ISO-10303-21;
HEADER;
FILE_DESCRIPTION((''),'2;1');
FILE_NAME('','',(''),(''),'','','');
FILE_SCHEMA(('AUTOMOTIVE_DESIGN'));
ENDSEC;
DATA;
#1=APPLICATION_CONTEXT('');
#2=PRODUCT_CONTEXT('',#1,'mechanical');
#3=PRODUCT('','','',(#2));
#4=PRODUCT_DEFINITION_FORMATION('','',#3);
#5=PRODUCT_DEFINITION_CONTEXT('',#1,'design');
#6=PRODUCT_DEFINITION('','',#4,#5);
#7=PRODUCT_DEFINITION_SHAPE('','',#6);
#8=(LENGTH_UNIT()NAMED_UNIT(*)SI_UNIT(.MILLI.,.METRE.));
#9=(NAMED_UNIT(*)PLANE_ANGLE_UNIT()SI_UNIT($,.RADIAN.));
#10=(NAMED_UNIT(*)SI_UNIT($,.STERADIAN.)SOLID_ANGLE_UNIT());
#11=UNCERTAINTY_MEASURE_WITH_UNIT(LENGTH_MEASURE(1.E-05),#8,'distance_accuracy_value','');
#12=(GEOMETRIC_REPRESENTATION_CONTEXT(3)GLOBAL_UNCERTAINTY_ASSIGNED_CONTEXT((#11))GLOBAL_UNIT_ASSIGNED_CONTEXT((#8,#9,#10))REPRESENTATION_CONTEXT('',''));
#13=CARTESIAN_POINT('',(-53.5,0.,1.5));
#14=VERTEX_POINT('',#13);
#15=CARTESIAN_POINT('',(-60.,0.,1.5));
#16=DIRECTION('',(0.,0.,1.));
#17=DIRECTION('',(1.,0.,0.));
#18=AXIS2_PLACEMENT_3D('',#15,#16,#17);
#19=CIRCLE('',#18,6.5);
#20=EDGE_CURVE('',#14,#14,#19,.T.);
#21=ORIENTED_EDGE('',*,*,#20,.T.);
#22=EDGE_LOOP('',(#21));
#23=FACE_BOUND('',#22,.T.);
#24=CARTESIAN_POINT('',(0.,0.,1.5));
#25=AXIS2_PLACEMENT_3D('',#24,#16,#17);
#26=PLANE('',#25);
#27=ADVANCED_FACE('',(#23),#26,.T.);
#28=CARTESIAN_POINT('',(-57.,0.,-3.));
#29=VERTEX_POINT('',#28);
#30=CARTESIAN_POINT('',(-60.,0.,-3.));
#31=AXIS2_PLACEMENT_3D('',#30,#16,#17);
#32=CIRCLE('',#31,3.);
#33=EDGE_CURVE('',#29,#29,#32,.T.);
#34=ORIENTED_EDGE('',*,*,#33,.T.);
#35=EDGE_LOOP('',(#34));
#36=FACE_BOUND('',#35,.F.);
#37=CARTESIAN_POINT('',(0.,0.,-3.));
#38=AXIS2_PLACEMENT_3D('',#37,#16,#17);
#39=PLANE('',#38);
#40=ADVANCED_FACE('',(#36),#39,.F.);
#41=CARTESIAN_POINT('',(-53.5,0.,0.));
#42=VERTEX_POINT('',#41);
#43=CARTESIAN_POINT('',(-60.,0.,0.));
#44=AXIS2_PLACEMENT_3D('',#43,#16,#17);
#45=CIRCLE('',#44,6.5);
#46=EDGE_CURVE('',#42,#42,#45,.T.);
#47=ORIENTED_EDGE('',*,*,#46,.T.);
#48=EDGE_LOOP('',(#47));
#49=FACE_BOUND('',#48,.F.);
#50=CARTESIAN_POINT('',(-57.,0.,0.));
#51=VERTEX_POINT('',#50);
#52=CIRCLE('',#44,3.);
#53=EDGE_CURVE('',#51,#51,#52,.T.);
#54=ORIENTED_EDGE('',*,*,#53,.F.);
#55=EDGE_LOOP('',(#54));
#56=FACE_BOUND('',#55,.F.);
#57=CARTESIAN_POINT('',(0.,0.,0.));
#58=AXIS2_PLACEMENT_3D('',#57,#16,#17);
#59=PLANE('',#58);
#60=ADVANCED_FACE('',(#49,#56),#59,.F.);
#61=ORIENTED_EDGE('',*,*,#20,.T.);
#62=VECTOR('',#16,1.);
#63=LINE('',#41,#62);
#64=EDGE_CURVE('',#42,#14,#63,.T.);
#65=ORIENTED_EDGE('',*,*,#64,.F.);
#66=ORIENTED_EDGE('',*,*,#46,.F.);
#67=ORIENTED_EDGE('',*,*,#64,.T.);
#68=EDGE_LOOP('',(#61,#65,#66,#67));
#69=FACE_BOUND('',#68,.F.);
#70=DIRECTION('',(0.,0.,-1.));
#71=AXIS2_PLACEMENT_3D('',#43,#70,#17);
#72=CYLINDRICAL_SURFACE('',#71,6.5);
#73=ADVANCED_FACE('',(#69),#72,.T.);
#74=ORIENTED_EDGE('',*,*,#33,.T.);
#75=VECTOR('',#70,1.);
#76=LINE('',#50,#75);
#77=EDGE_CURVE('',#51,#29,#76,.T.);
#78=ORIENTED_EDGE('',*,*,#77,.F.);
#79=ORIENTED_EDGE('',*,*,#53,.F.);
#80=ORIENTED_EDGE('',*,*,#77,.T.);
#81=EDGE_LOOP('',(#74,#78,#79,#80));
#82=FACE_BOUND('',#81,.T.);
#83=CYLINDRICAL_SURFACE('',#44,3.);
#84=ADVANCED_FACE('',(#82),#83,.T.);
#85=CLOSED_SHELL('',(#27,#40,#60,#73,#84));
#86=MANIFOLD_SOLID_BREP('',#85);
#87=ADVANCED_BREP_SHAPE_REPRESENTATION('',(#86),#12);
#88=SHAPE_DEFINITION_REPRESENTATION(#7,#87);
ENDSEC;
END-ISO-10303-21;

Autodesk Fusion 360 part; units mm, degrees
sketch "Sketch1" plane through (0, 0, 0) normal (0, 0, 1) x (1, 0, 0)
  circle A0 centre (-60, 0) radius 3
  circle A1 centre (-60, 0) radius 6.5
  dimension "d6" = 6
  dimension "d7" = 13
sketch "Sketch2" plane through (0, 0, 0) normal (0, 0, 1) x (1, 0, 0)
  circle A0 centre (15.4632, 32.9185) radius 3
  circle A1 centre (9.4904, 74.3706) radius 3
  circle A2 centre (15.3555, 112.4631) radius 3
  line L0 (-7.5554, 127.9921) -> (32.4446, 127.9921)
  line L1 (32.4446, 127.9921) -> (32.4446, 17.9921)
  line L2 (32.4446, 17.9921) -> (-7.5554, 17.9921)
  line L3 (-7.5554, 17.9921) -> (-7.5554, 127.9921)
  dimension "d18" = 6
  dimension "d19" = 6
  dimension "d20" = 6
  dimension "d22" = 40
  dimension "d23" = 110
extrude "Extrude1" add sketch "Sketch1" along normal blind 1.5 contours A0 | A1
extrude "Extrude2" add sketch "Sketch1" against normal blind 3 contours A0
